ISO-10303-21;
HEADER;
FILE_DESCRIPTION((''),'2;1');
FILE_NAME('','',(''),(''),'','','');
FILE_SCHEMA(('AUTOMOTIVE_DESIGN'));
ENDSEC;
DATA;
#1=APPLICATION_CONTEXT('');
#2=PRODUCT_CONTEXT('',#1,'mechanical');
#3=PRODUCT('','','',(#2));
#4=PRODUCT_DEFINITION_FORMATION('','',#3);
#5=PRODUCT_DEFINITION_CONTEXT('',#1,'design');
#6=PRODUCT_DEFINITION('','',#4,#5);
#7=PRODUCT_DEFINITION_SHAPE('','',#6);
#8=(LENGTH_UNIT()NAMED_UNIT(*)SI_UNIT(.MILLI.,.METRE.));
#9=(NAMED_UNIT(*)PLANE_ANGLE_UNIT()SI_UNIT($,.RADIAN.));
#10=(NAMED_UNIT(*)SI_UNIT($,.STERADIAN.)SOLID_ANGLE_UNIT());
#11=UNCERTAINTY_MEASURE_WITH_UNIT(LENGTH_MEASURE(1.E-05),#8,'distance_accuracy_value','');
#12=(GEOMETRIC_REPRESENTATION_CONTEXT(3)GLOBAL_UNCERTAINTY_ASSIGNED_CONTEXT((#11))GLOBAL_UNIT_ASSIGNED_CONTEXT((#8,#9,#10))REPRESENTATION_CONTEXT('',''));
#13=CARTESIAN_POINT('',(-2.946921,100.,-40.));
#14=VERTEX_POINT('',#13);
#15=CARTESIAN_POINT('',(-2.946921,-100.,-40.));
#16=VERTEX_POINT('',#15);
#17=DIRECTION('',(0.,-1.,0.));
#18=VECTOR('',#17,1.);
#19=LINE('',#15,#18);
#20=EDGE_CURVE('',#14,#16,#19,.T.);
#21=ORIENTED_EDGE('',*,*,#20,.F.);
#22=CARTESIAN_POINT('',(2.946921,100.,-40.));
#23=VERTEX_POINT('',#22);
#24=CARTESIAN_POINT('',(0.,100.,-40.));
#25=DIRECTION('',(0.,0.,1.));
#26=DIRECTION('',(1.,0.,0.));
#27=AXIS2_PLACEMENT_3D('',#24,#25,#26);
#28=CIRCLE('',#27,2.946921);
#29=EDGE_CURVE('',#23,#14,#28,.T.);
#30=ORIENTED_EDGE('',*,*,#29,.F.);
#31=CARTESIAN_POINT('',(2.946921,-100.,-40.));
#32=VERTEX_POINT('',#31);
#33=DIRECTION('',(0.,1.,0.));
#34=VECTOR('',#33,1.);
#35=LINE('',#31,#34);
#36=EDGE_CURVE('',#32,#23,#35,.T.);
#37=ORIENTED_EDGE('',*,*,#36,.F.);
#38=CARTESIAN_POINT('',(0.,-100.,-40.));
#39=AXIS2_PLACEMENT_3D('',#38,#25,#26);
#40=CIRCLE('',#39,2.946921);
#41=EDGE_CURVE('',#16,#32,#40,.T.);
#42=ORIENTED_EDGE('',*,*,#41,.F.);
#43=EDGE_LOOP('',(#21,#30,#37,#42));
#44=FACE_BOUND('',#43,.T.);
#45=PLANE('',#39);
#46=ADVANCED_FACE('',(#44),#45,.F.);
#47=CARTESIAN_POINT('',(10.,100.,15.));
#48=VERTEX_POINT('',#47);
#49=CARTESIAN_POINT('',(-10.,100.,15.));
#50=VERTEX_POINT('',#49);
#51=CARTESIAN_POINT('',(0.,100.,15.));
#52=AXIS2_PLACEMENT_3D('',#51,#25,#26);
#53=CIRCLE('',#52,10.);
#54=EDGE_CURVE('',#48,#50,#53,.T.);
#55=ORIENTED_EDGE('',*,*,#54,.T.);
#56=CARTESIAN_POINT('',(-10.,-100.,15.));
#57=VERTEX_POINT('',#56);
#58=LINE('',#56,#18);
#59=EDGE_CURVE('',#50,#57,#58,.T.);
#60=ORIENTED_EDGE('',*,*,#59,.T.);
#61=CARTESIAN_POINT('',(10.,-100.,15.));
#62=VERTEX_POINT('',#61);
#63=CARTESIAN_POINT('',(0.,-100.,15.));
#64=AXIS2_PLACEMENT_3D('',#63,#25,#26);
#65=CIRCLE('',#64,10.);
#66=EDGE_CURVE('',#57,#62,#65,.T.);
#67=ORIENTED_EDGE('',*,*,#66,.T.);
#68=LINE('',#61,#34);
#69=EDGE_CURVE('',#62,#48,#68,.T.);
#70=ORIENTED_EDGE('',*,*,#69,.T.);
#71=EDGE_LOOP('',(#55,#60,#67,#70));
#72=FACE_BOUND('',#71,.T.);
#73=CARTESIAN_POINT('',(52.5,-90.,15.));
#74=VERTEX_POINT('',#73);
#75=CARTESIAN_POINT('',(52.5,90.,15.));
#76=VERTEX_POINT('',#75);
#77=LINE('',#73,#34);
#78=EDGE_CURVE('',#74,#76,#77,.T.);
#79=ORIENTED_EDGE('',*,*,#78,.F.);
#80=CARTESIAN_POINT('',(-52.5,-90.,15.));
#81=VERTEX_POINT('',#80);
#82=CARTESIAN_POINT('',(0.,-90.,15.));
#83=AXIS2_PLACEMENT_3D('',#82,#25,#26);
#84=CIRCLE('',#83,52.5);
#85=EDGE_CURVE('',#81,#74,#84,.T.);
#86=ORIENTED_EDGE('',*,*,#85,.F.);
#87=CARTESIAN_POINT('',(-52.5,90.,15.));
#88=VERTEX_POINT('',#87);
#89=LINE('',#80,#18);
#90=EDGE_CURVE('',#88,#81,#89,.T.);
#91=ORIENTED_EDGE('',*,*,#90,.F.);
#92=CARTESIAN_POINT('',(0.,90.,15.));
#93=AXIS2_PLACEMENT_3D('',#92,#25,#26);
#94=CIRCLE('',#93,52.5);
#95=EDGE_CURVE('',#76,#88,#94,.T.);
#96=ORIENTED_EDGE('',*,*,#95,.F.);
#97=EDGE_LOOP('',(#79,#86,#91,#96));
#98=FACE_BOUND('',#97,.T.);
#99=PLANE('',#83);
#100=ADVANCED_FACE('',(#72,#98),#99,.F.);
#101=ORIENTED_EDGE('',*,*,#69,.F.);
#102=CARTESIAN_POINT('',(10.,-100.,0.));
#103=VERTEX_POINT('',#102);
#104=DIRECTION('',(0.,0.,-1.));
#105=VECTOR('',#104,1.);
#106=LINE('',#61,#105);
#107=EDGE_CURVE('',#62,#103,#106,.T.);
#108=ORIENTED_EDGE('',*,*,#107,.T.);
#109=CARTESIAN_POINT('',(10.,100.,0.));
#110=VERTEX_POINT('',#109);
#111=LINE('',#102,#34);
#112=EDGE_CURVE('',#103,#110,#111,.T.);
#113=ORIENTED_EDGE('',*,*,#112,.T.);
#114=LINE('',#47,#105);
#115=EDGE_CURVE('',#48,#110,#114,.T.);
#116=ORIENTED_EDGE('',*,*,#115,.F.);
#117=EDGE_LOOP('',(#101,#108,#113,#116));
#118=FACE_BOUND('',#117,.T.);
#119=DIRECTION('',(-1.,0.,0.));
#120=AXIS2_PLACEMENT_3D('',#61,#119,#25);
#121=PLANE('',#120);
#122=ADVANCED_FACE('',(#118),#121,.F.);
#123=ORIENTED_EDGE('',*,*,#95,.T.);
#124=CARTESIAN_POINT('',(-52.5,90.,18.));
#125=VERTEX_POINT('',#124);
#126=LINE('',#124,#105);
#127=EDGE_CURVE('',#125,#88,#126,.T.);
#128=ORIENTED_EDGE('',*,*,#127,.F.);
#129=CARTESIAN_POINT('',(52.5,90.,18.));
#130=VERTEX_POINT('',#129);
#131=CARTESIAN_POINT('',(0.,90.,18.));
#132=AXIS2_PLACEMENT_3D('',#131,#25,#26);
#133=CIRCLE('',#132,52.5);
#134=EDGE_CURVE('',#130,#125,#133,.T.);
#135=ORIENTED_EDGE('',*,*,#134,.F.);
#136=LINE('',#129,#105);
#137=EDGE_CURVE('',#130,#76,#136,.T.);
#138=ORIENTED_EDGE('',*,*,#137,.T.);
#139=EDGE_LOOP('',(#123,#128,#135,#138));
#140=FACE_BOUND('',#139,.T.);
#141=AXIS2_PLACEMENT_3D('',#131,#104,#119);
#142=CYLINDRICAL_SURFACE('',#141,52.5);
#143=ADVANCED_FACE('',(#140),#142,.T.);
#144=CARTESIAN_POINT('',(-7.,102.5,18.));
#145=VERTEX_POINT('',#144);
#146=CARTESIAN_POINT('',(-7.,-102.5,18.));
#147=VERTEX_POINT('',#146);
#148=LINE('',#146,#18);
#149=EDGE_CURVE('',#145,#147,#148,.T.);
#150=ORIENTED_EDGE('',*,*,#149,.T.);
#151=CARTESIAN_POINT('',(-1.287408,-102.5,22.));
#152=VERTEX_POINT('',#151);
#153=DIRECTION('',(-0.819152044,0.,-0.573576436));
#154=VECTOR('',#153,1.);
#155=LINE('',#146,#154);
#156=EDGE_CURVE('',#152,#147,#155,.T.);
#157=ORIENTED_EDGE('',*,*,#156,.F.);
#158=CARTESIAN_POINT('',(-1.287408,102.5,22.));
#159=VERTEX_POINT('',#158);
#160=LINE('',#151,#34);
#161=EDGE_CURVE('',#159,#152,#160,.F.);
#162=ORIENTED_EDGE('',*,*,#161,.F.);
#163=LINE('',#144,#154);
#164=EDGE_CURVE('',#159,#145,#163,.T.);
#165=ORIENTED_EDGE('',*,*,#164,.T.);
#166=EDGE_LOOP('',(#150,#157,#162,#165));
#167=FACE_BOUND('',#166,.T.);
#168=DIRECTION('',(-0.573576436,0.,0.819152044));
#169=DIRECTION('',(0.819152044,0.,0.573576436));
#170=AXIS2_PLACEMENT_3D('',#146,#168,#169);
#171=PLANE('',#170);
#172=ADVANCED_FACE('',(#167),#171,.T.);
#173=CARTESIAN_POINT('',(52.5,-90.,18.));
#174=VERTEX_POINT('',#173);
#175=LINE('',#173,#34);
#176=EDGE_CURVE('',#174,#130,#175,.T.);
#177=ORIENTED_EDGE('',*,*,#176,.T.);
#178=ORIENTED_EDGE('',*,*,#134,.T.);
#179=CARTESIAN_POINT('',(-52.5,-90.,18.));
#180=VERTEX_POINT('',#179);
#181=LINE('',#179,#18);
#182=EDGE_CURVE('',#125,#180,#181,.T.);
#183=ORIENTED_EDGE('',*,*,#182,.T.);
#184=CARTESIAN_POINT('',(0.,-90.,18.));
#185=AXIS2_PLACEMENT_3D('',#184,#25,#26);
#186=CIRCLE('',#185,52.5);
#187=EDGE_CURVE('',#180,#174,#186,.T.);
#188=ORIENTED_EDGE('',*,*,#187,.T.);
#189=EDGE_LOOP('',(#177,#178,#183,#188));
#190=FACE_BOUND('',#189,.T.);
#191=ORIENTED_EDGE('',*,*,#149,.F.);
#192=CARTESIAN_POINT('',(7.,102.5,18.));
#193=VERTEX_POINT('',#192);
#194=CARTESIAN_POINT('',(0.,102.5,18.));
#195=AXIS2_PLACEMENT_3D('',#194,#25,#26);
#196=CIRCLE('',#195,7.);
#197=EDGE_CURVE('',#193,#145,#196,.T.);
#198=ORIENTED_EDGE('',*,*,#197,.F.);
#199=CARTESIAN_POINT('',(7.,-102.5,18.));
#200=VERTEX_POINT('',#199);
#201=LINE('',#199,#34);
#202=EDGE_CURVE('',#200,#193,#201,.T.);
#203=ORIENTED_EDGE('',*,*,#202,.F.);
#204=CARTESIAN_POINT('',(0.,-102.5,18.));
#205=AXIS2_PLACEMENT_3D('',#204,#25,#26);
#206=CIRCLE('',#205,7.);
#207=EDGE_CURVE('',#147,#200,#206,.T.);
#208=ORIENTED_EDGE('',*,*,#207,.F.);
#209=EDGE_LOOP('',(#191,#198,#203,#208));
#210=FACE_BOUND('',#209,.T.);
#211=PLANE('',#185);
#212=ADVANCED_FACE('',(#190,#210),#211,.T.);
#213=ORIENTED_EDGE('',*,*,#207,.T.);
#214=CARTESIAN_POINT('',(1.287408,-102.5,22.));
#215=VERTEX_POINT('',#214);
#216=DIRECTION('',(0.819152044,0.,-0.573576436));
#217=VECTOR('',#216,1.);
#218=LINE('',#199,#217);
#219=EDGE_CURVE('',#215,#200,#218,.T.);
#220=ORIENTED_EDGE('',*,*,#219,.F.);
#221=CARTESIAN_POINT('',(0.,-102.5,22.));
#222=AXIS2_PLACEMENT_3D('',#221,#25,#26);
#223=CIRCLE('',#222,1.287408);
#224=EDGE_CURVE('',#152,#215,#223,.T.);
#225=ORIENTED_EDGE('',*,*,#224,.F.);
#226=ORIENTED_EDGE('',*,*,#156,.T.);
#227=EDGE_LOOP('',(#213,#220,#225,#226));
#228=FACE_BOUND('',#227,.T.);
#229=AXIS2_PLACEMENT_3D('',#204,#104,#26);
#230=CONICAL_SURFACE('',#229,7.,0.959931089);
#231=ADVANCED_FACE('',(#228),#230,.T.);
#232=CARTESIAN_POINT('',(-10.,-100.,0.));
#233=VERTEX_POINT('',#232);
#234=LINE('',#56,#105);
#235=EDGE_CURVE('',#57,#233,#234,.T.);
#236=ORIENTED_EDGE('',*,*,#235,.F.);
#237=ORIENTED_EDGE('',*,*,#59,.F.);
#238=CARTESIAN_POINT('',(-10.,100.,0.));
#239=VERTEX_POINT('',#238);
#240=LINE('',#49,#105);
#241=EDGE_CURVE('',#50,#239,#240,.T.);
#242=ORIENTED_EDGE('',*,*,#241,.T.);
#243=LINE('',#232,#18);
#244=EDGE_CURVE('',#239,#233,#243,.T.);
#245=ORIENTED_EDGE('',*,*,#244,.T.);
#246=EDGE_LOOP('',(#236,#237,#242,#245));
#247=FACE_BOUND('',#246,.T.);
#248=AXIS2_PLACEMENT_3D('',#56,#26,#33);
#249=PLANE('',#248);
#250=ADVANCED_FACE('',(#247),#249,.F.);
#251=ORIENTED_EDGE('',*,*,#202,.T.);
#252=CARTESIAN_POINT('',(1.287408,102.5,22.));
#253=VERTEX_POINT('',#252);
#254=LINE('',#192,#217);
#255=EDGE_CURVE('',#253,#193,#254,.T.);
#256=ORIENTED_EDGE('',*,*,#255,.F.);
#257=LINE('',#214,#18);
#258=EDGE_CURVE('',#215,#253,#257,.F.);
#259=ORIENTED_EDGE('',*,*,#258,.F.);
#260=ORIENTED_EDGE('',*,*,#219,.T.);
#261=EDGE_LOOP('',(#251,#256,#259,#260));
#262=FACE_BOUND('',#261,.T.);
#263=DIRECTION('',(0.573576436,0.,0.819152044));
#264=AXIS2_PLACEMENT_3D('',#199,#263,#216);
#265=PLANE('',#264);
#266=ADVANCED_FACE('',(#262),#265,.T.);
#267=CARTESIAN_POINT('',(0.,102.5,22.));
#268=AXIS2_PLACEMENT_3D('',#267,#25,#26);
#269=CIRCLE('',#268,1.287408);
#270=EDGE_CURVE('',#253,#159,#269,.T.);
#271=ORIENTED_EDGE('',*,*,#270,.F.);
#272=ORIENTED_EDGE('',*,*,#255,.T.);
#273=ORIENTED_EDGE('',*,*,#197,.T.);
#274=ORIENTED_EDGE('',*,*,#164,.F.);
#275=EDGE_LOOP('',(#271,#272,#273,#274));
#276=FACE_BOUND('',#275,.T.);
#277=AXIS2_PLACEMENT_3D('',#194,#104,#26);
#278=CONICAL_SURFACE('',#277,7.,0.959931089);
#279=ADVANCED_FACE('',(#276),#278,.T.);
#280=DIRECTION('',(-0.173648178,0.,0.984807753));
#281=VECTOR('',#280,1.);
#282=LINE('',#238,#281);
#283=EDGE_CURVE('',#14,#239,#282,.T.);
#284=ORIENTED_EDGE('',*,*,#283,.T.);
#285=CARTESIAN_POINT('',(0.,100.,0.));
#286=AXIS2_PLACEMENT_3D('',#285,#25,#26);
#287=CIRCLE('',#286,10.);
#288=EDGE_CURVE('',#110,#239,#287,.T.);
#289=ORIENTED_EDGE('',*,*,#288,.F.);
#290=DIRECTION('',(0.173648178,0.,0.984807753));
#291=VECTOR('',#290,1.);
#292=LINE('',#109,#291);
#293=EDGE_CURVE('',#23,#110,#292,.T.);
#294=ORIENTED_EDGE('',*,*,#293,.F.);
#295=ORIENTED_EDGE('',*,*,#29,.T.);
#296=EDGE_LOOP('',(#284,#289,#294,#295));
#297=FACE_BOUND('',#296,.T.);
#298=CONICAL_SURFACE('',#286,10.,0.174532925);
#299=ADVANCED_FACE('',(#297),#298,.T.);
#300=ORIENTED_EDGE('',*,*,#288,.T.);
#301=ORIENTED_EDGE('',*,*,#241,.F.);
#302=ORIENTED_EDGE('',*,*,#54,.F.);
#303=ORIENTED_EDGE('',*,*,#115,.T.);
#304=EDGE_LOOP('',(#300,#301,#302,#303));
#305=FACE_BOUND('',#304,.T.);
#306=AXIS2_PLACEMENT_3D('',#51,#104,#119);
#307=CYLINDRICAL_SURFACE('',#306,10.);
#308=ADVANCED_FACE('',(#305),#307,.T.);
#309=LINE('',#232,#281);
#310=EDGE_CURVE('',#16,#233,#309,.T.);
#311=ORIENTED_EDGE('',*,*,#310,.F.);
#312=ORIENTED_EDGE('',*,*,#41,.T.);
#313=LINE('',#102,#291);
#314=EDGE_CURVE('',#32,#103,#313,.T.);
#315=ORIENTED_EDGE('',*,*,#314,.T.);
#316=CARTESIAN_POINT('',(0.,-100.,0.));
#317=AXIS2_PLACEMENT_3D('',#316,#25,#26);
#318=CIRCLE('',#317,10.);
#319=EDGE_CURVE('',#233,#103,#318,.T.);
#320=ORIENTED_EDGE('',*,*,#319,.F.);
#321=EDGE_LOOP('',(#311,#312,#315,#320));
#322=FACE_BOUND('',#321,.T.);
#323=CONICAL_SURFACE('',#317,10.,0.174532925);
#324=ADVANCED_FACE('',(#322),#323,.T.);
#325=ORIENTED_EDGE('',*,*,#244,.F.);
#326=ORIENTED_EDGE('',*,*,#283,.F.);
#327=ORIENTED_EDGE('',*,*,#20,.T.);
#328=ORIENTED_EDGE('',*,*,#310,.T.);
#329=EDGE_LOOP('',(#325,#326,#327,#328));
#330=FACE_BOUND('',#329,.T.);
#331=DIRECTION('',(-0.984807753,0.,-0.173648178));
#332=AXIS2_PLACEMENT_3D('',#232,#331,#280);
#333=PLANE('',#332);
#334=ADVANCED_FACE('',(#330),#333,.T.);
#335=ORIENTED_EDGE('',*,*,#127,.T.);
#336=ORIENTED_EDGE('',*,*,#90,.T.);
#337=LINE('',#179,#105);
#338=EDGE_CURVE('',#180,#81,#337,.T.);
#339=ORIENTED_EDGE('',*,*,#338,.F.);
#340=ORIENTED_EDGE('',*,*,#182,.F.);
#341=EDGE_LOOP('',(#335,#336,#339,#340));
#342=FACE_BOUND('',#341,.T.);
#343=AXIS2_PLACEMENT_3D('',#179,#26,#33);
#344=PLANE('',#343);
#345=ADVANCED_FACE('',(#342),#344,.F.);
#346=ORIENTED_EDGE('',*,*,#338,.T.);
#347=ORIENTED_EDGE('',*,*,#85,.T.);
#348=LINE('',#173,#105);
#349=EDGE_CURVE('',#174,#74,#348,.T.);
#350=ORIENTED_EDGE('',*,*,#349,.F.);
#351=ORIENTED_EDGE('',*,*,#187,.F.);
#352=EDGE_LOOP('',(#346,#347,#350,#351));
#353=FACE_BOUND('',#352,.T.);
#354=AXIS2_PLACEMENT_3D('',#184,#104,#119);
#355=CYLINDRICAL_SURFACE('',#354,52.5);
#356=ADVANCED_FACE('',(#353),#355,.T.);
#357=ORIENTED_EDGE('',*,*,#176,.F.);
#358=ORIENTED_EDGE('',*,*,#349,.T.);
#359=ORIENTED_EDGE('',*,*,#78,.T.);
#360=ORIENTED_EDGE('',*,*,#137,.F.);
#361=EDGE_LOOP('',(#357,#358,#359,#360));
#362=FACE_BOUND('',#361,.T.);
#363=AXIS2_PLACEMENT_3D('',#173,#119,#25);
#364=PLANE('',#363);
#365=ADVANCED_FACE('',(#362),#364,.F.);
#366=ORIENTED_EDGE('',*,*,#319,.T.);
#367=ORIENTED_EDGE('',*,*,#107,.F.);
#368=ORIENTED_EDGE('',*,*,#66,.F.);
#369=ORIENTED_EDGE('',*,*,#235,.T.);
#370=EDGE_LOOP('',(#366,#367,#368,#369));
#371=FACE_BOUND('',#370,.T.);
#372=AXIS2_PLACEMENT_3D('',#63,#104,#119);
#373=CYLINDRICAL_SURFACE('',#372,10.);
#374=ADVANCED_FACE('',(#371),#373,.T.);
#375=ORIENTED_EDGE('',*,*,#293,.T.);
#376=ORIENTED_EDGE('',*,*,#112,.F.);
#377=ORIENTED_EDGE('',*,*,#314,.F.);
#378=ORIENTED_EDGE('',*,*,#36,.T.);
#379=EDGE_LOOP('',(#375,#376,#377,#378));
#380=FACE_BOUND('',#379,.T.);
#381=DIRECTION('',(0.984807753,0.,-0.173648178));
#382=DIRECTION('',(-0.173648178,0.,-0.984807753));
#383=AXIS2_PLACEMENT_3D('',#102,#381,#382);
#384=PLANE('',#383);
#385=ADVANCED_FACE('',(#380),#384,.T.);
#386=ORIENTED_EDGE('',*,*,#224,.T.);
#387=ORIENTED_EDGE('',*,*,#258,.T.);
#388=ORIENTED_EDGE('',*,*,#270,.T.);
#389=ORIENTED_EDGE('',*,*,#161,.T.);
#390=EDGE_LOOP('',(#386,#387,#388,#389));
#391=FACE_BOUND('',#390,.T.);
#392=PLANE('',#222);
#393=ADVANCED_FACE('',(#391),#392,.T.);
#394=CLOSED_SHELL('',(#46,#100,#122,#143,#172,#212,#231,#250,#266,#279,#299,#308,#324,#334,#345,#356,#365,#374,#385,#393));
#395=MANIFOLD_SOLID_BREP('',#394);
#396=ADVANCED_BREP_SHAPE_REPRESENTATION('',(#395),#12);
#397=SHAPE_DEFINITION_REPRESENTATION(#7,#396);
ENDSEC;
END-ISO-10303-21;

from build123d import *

# Parameters (mm, degrees)
BOSS_EXTRUDE1_DEPTH           = 15
BOSS_EXTRUDE1_OTHER_WAY_DEPTH = 40
BOSS_EXTRUDE1_OTHER_WAY_TAPER = 10
BOSS_EXTRUDE2_DEPTH           = 3
BOSS_EXTRUDE3_DEPTH           = 4
BOSS_EXTRUDE3_TAPER           = 55


with BuildPart() as part:
    # Sketch1 → Boss-Extrude1 (new body)
    with BuildSketch(Plane.XY):
        with BuildLine():
            ThreePointArc((-10, -100), (0, -110), (10, -100))
            Line((10, -100), (10, 100))
            ThreePointArc((10, 100), (0, 110), (-10, 100))
            Line((-10, 100), (-10, -100))
        make_face()
    extrude(amount=BOSS_EXTRUDE1_DEPTH)

    # Sketch1 → Boss-Extrude1 other way (add)
    with BuildSketch(Plane.XY):
        with BuildLine():
            ThreePointArc((-10, -100), (0, -110), (10, -100))
            Line((10, -100), (10, 100))
            ThreePointArc((10, 100), (0, 110), (-10, 100))
            Line((-10, 100), (-10, -100))
        make_face()
    extrude(amount=-BOSS_EXTRUDE1_OTHER_WAY_DEPTH, taper=BOSS_EXTRUDE1_OTHER_WAY_TAPER)

    # Sketch2 → Boss-Extrude2 (add)
    with BuildSketch(Plane.XY.offset(15)):
        with BuildLine():
            Line((-52.5, -90), (-52.5, 90))
            ThreePointArc((-52.5, 90), (0, 142.5), (52.5, 90))
            Line((52.5, 90), (52.5, -90))
            ThreePointArc((52.5, -90), (0, -142.5), (-52.5, -90))
        make_face()
    extrude(amount=BOSS_EXTRUDE2_DEPTH)

    # Sketch3 → Boss-Extrude3 (add)
    with BuildSketch(Plane.XY.offset(18)):
        with BuildLine():
            ThreePointArc((-7, -102.5), (0, -109.5), (7, -102.5))
            Line((7, -102.5), (7, 102.5))
            ThreePointArc((7, 102.5), (0, 109.5), (-7, 102.5))
            Line((-7, 102.5), (-7, -102.5))
        make_face()
    extrude(amount=BOSS_EXTRUDE3_DEPTH, taper=BOSS_EXTRUDE3_TAPER)


solid = part.part
